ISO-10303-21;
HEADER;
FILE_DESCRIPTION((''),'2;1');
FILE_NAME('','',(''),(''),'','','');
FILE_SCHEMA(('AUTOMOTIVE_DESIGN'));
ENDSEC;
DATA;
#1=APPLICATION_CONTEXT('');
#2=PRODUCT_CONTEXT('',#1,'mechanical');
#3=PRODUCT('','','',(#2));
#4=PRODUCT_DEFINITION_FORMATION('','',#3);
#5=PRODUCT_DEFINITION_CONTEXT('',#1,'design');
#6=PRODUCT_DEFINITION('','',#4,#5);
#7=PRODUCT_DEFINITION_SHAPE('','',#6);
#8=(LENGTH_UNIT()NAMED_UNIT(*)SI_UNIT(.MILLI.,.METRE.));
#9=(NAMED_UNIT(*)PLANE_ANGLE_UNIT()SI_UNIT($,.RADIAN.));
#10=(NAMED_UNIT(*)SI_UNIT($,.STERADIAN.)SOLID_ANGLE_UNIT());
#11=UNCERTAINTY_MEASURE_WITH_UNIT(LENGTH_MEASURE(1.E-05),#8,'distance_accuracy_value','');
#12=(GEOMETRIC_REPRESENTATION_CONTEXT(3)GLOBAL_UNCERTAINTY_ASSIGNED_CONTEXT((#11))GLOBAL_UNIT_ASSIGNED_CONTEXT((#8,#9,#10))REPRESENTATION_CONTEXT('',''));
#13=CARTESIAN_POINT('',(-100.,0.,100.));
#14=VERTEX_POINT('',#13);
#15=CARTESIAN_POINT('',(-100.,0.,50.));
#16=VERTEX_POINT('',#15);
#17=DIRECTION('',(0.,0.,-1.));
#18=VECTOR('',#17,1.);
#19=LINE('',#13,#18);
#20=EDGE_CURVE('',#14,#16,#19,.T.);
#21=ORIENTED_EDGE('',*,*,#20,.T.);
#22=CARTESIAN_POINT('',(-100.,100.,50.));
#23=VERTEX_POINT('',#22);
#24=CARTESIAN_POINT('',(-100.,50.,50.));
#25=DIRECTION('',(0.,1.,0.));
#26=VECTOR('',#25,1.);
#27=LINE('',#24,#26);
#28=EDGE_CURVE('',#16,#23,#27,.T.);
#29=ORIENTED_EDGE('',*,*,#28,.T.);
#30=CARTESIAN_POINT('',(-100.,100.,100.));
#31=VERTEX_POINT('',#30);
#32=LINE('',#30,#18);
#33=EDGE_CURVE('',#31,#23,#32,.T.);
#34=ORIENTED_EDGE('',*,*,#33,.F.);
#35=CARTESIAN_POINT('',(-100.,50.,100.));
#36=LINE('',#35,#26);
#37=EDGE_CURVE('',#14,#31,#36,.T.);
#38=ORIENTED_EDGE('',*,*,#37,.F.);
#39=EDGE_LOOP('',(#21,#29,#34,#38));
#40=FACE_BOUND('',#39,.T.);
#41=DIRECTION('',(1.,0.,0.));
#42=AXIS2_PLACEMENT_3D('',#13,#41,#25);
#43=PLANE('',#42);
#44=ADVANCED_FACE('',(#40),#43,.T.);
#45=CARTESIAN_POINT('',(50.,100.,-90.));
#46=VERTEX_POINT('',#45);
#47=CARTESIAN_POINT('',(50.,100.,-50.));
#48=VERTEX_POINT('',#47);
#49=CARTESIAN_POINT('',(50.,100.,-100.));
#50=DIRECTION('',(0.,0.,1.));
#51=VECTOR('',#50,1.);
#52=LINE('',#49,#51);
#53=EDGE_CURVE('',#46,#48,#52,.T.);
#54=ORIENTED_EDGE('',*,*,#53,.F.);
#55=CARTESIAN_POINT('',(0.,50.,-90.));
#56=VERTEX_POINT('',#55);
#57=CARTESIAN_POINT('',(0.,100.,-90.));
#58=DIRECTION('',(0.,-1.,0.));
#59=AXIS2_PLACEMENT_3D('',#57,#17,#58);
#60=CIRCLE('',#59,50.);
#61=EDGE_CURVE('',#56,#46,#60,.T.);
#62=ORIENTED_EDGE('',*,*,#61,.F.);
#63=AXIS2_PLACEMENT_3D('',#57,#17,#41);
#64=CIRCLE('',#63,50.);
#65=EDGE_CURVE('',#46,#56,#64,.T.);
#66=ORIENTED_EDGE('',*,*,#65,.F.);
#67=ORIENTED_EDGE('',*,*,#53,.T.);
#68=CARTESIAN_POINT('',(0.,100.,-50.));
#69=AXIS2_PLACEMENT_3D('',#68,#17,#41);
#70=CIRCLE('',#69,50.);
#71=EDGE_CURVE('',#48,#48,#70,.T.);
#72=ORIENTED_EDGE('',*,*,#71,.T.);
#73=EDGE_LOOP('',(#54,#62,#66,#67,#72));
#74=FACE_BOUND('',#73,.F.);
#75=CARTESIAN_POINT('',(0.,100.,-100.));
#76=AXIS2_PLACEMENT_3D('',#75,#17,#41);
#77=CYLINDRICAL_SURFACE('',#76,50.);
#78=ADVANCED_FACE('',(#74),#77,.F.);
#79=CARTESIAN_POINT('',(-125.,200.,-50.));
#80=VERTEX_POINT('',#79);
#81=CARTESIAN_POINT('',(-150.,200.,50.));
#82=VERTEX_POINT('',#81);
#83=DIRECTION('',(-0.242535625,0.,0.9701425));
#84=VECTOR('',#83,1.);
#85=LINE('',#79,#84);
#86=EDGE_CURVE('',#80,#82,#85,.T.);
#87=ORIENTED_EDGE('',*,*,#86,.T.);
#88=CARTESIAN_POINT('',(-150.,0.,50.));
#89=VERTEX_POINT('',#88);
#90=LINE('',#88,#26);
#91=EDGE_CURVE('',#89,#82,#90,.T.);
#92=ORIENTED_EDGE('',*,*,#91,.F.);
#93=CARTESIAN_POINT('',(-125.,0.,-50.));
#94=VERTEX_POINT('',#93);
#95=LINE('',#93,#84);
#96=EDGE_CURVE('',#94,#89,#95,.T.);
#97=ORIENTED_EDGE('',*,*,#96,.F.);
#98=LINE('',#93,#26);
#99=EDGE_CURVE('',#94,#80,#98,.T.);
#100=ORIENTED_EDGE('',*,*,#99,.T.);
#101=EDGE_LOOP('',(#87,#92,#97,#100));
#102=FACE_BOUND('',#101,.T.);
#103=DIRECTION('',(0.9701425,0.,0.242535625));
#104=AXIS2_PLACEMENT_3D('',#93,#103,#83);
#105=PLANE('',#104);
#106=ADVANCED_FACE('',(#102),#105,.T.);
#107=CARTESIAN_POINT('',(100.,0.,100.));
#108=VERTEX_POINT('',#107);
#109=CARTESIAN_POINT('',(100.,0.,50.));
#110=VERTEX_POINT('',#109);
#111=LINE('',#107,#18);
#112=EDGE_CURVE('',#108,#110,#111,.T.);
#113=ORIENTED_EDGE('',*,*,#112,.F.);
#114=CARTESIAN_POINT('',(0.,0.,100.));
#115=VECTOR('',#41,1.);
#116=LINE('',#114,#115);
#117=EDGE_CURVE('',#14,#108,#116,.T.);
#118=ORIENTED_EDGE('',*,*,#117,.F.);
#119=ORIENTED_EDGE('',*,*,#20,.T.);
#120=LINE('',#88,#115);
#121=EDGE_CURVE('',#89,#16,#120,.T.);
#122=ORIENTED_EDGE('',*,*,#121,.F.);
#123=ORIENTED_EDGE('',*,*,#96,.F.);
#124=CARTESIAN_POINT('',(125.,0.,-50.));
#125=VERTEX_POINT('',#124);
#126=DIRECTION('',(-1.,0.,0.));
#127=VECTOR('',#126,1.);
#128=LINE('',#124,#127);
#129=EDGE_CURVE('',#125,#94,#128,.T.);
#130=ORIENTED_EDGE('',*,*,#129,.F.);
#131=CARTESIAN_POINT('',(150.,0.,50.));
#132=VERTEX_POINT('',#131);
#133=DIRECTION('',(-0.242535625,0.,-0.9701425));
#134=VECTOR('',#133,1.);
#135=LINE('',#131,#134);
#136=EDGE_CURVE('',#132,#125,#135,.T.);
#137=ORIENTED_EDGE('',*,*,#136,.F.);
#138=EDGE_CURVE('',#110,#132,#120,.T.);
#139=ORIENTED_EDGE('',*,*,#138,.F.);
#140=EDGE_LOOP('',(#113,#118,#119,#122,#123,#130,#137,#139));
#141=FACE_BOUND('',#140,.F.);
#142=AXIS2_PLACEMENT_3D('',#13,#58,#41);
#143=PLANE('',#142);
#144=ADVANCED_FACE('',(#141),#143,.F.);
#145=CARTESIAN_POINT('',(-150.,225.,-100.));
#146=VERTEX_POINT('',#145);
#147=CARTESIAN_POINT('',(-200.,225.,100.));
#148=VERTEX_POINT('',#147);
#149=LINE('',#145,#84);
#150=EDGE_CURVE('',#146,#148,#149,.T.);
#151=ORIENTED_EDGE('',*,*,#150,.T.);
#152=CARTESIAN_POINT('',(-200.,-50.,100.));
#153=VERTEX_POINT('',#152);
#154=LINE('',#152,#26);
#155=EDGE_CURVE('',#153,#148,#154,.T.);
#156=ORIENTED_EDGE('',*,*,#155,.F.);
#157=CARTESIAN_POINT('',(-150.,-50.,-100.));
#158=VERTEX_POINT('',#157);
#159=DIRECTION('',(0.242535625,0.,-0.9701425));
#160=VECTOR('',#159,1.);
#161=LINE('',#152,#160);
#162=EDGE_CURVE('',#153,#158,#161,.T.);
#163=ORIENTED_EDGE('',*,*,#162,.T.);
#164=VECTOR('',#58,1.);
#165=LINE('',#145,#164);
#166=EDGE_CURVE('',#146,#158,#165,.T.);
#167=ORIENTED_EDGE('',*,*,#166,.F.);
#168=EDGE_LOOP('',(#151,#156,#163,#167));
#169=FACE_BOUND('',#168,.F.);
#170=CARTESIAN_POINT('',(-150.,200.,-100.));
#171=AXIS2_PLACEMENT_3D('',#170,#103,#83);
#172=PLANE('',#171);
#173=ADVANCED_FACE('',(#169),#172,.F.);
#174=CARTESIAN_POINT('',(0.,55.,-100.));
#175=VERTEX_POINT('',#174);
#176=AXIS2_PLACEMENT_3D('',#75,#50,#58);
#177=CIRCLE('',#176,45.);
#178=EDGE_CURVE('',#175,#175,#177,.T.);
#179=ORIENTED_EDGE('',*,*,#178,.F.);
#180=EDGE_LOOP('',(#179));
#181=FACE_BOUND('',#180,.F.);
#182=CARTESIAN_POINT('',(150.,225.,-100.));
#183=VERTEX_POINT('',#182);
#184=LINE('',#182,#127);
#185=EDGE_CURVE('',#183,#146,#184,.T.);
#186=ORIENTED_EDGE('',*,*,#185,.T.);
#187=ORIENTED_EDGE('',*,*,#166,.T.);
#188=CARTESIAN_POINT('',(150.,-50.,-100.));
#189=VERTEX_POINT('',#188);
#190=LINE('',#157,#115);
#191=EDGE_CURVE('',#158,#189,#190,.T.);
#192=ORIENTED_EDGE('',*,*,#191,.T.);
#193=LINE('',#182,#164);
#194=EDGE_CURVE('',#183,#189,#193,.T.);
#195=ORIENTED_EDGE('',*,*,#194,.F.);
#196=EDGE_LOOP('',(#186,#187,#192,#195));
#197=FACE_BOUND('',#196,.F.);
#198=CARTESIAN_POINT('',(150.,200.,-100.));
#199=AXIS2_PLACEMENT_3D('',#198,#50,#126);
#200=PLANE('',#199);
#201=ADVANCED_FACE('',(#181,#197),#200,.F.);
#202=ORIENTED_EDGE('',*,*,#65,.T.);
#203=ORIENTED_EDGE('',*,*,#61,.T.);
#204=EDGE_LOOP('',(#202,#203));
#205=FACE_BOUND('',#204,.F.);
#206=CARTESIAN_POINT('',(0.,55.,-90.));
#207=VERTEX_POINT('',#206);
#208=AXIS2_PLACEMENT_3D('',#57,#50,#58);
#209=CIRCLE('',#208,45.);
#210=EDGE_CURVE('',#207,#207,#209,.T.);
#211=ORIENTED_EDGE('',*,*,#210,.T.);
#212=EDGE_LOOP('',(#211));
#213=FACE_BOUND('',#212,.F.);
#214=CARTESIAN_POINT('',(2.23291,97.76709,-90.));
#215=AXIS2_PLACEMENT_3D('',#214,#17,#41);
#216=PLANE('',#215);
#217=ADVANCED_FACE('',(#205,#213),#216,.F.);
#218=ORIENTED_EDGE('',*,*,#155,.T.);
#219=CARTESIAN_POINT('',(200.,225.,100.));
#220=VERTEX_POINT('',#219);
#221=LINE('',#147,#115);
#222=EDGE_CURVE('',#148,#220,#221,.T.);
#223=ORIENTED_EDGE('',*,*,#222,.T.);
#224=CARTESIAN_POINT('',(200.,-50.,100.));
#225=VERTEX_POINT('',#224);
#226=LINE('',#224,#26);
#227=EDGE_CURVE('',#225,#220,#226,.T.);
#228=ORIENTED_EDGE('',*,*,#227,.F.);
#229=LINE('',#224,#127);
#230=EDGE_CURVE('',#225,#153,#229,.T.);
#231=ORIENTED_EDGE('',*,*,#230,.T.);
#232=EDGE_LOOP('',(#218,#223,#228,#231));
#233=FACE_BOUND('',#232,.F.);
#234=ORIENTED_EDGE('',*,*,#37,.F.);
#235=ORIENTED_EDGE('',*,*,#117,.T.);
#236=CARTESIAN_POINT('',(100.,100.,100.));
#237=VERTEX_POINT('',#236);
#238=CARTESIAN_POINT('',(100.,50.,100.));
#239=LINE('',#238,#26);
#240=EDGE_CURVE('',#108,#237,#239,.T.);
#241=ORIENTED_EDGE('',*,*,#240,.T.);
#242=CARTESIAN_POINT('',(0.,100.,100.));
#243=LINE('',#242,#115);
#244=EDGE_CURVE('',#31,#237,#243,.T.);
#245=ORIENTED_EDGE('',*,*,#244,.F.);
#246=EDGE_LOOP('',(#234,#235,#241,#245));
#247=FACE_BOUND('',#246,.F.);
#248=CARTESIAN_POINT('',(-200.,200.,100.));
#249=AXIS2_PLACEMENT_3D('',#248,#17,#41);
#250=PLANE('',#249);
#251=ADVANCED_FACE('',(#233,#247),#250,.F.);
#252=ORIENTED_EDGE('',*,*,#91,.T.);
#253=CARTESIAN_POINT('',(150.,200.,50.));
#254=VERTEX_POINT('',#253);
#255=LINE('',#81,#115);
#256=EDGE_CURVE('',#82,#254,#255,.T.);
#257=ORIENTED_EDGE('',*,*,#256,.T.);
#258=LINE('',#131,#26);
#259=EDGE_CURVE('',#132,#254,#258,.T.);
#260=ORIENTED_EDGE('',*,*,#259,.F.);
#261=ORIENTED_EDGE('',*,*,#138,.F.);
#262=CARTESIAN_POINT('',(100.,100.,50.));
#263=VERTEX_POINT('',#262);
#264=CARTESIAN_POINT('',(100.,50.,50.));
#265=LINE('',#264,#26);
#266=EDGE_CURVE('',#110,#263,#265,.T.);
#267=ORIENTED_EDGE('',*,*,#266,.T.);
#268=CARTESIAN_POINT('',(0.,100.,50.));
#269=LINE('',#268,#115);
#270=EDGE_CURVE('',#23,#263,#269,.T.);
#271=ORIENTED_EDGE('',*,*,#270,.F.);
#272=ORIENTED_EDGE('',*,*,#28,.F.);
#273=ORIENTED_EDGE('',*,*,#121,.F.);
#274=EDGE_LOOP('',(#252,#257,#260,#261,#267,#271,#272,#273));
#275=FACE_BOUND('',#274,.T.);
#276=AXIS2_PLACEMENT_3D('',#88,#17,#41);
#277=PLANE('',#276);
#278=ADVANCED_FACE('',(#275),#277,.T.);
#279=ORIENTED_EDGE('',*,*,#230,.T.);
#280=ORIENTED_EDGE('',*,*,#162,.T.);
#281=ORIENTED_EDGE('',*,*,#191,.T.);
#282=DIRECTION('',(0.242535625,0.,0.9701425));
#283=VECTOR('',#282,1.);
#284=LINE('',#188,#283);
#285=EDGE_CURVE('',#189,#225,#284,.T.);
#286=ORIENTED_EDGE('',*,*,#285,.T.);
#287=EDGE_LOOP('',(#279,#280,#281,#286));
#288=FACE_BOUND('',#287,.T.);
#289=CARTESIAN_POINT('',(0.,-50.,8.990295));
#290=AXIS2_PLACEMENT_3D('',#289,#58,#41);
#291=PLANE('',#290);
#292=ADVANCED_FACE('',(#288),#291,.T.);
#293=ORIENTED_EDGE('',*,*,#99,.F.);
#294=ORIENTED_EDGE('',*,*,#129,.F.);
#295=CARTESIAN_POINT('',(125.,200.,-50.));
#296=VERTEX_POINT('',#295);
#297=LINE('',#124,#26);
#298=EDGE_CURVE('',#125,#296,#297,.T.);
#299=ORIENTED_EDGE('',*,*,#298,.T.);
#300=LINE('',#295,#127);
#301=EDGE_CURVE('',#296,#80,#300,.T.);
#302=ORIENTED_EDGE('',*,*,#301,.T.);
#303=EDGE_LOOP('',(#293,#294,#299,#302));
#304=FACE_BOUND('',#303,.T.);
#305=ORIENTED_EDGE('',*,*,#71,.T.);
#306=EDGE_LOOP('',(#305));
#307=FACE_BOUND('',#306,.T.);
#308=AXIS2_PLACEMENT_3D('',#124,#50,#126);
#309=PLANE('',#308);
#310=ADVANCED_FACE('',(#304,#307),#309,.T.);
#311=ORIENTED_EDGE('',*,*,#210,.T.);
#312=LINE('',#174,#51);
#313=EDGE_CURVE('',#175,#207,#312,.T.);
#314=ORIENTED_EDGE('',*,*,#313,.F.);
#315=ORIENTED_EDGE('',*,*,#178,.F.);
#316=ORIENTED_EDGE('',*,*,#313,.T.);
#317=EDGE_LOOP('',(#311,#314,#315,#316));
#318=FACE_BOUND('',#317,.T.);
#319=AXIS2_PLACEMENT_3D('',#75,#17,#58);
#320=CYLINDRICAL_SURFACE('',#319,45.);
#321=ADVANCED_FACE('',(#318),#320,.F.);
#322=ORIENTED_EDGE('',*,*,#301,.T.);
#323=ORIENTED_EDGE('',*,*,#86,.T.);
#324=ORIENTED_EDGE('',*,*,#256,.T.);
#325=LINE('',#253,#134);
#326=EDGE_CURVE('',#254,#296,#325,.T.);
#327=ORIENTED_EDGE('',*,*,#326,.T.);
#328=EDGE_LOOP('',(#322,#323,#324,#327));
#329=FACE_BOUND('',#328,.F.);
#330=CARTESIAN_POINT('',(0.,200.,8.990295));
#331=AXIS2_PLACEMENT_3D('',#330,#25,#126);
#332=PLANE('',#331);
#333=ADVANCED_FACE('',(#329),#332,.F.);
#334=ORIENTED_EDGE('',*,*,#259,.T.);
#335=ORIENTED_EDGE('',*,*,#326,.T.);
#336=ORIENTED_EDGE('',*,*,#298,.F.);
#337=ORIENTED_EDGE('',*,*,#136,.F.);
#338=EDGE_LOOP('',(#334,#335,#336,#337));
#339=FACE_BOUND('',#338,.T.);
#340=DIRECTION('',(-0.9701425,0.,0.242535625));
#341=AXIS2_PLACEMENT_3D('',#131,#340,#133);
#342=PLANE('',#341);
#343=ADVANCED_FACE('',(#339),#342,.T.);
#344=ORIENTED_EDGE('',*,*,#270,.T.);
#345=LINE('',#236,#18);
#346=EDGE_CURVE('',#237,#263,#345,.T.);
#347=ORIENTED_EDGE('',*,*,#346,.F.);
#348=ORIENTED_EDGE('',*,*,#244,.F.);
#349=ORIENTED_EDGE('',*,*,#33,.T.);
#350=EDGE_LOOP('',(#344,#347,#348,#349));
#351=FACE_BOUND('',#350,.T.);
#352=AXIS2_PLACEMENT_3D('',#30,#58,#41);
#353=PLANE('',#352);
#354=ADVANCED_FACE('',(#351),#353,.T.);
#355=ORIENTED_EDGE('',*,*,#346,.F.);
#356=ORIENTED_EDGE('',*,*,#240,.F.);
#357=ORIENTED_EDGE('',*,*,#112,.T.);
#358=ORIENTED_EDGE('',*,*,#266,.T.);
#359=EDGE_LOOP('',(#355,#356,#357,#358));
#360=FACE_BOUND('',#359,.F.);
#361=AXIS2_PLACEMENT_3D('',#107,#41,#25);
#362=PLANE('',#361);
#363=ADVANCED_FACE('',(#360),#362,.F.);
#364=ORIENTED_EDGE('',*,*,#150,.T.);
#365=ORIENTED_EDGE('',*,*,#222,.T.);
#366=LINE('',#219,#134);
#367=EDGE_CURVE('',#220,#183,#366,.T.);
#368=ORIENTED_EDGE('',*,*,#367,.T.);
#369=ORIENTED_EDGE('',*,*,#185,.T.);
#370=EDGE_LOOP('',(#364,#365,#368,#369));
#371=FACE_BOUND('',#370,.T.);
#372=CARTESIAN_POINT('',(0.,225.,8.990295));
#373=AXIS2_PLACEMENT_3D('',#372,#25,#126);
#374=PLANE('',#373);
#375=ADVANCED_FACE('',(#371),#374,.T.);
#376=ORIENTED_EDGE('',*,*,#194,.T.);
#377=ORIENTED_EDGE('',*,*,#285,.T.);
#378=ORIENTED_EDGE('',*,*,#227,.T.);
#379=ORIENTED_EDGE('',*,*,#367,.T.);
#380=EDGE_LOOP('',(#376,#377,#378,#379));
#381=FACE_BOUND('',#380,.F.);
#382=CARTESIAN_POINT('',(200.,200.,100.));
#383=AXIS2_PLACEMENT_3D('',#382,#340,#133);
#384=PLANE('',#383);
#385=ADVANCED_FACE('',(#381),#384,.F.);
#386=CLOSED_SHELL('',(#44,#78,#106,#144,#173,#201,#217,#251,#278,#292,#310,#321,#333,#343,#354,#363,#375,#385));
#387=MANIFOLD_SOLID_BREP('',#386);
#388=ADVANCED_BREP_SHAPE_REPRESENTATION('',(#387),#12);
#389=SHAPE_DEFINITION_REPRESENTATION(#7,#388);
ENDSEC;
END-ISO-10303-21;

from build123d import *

# Parameters (mm, degrees)
F1_DEPTH  = 200
F2_R      = 50
F3_DEPTH  = 50
F5_DEPTH  = 10
F7_DEPTH  = 50
F9_DEPTH  = 25
F10_W     = 200
F10_H     = 100
F11_DEPTH = 50


with BuildPart() as f1:
    # F0 (on Front) → F1 (new body)
    with BuildSketch(Plane.XZ):
        Polygon((-150, 50), (150, 50), (137.5, 0), (175, 0), (200, 100), (-200, 100), (-175, 0), (-137.5, 0), align=None)
        Polygon((175, 0), (137.5, 0), (125, -50), (-125, -50), (-137.5, 0), (-175, 0), (-150, -100), (150, -100), align=None)
    extrude(amount=-F1_DEPTH)

    # F2 (on face) → F3 (cut)
    with BuildSketch(Plane(origin=(0, 0, -100), x_dir=(1, 0, 0), z_dir=(0, 0, -1))):
        with Locations((0, -100)):
            Circle(F2_R)
    extrude(amount=-F3_DEPTH, mode=Mode.SUBTRACT)

    # F4 (on face) → F5 (join)
    with BuildSketch(Plane(origin=(0, 0, -100), x_dir=(1, 0, 0), z_dir=(0, 0, -1))):
        with BuildLine():
            ThreePointArc((50, -100), (35.3553390593, -64.6446609407), (0, -50))
            ThreePointArc((0, -50), (-35.3553390593, -135.3553390593), (50, -100))
        make_face()
        with BuildLine():
            ThreePointArc((45, -100), (-31.8198051534, -131.8198051534), (0, -55))
            ThreePointArc((0, -55), (31.8198051534, -68.1801948466), (45, -100))
        make_face(mode=Mode.SUBTRACT)
    extrude(amount=-F5_DEPTH)

    # F6 (on face) → F7 (join)
    with BuildSketch(Plane.XZ):
        Polygon((150, -100), (200, 100), (-200, 100), (-150, -100), align=None)
        Polygon((-125, -50), (-150, 50), (150, 50), (125, -50), align=None, mode=Mode.SUBTRACT)
        Polygon((150, 50), (-150, 50), (-125, -50), (125, -50), align=None)
    extrude(amount=F7_DEPTH)

    # F8 (on face) → F9 (join)
    with BuildSketch(Plane(origin=(0, 200, 0), x_dir=(-1, 0, 0), z_dir=(0, 1, 0))):
        Polygon((150, -100), (200, 100), (-200, 100), (-150, -100), align=None)
        Polygon((-125, -50), (-150, 50), (150, 50), (125, -50), align=None, mode=Mode.SUBTRACT)
        Polygon((150, 50), (-150, 50), (-125, -50), (125, -50), align=None)
    extrude(amount=F9_DEPTH)

    # F10 (on face) → F11 (cut)
    with BuildSketch(Plane.XY.offset(100)):
        with Locations((0, 50)):
            Rectangle(F10_W, F10_H)
    extrude(amount=-F11_DEPTH, mode=Mode.SUBTRACT)


solid = f1.part
